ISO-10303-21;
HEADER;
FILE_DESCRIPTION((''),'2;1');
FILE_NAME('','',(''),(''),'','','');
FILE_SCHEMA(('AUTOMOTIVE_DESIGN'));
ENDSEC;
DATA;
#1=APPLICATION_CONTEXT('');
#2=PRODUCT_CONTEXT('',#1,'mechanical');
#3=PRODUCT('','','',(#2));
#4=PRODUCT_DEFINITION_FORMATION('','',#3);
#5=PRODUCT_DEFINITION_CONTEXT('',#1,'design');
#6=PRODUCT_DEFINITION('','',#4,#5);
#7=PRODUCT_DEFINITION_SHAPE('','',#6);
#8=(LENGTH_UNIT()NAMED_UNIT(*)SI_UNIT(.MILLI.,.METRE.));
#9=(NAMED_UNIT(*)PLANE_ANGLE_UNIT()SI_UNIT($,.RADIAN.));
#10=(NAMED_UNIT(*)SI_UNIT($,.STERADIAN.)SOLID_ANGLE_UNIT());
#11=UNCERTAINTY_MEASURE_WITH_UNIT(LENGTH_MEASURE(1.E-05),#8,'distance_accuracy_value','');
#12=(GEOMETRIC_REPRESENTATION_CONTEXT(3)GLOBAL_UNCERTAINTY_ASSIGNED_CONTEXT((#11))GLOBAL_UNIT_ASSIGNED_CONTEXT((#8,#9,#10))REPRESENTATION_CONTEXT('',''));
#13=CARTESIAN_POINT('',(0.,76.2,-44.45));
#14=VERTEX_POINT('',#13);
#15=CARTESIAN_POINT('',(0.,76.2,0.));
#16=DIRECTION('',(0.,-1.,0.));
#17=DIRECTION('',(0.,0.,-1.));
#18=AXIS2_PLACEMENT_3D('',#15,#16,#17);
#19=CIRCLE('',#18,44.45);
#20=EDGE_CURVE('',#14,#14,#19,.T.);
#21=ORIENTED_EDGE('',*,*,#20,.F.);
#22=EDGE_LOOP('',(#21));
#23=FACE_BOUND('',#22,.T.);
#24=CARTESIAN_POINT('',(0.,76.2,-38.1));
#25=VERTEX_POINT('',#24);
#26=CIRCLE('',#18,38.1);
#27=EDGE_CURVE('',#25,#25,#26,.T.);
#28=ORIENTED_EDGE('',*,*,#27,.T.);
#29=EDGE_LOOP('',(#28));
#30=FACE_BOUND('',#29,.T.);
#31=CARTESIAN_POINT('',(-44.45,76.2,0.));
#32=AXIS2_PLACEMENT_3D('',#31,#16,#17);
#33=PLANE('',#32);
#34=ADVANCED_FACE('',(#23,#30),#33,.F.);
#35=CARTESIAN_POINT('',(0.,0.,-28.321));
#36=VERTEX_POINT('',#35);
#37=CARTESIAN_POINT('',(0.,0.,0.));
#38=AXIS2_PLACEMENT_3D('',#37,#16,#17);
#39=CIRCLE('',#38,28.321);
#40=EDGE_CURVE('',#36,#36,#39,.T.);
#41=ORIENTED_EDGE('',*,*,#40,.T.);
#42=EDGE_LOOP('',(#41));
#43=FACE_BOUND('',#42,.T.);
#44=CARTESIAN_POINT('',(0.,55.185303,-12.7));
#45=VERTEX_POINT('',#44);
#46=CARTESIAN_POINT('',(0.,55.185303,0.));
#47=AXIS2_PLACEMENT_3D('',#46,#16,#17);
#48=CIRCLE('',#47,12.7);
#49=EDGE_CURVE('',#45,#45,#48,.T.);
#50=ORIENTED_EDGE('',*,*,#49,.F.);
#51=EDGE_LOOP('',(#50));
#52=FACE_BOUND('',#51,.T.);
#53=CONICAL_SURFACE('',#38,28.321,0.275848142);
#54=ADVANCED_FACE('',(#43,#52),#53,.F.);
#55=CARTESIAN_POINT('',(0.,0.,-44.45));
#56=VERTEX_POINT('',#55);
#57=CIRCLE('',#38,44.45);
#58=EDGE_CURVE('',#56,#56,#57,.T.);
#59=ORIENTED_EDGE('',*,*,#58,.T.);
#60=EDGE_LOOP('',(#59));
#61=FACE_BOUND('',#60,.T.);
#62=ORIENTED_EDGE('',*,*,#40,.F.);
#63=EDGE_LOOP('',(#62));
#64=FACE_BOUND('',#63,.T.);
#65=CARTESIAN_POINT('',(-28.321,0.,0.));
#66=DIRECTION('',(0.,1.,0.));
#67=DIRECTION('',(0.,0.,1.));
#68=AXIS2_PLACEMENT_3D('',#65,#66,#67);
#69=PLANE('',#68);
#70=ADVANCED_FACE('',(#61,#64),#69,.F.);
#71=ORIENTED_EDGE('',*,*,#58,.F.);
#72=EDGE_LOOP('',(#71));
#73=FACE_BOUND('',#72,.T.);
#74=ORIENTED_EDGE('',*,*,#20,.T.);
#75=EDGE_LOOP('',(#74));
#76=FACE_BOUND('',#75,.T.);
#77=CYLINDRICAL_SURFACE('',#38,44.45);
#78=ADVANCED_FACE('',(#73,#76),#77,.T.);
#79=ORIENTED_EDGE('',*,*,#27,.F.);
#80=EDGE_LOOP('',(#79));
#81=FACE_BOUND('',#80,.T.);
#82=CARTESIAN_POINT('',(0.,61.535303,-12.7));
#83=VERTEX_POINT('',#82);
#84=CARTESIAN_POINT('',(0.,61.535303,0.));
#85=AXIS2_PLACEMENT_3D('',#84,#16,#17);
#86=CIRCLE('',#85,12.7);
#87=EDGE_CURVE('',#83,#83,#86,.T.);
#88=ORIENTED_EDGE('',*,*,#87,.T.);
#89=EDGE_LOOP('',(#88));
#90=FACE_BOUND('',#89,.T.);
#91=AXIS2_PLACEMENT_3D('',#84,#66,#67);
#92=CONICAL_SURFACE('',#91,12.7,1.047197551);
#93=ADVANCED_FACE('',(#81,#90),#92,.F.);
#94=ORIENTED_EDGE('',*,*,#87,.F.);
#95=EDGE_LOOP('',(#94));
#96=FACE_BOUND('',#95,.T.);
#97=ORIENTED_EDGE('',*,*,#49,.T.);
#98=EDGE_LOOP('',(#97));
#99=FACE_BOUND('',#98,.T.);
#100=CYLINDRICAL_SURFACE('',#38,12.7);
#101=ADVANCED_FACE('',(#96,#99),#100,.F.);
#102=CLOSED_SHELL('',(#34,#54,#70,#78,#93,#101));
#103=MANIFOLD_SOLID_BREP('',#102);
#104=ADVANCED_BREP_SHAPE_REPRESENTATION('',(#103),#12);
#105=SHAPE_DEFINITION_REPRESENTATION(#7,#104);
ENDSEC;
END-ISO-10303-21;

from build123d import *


with BuildPart() as part:
    # Sketch1 → Revolve1 (revolve)
    with BuildSketch(Plane.XY):
        Polygon((-44.45, 0), (-44.45, 76.2), (-38.1, 76.2), (-12.7, 61.535303163), (-12.7, 55.185303163), (-28.321, 0), align=None)
    revolve(axis=Axis((0, 0, 0), (0, 1, 0)))


solid = part.part
